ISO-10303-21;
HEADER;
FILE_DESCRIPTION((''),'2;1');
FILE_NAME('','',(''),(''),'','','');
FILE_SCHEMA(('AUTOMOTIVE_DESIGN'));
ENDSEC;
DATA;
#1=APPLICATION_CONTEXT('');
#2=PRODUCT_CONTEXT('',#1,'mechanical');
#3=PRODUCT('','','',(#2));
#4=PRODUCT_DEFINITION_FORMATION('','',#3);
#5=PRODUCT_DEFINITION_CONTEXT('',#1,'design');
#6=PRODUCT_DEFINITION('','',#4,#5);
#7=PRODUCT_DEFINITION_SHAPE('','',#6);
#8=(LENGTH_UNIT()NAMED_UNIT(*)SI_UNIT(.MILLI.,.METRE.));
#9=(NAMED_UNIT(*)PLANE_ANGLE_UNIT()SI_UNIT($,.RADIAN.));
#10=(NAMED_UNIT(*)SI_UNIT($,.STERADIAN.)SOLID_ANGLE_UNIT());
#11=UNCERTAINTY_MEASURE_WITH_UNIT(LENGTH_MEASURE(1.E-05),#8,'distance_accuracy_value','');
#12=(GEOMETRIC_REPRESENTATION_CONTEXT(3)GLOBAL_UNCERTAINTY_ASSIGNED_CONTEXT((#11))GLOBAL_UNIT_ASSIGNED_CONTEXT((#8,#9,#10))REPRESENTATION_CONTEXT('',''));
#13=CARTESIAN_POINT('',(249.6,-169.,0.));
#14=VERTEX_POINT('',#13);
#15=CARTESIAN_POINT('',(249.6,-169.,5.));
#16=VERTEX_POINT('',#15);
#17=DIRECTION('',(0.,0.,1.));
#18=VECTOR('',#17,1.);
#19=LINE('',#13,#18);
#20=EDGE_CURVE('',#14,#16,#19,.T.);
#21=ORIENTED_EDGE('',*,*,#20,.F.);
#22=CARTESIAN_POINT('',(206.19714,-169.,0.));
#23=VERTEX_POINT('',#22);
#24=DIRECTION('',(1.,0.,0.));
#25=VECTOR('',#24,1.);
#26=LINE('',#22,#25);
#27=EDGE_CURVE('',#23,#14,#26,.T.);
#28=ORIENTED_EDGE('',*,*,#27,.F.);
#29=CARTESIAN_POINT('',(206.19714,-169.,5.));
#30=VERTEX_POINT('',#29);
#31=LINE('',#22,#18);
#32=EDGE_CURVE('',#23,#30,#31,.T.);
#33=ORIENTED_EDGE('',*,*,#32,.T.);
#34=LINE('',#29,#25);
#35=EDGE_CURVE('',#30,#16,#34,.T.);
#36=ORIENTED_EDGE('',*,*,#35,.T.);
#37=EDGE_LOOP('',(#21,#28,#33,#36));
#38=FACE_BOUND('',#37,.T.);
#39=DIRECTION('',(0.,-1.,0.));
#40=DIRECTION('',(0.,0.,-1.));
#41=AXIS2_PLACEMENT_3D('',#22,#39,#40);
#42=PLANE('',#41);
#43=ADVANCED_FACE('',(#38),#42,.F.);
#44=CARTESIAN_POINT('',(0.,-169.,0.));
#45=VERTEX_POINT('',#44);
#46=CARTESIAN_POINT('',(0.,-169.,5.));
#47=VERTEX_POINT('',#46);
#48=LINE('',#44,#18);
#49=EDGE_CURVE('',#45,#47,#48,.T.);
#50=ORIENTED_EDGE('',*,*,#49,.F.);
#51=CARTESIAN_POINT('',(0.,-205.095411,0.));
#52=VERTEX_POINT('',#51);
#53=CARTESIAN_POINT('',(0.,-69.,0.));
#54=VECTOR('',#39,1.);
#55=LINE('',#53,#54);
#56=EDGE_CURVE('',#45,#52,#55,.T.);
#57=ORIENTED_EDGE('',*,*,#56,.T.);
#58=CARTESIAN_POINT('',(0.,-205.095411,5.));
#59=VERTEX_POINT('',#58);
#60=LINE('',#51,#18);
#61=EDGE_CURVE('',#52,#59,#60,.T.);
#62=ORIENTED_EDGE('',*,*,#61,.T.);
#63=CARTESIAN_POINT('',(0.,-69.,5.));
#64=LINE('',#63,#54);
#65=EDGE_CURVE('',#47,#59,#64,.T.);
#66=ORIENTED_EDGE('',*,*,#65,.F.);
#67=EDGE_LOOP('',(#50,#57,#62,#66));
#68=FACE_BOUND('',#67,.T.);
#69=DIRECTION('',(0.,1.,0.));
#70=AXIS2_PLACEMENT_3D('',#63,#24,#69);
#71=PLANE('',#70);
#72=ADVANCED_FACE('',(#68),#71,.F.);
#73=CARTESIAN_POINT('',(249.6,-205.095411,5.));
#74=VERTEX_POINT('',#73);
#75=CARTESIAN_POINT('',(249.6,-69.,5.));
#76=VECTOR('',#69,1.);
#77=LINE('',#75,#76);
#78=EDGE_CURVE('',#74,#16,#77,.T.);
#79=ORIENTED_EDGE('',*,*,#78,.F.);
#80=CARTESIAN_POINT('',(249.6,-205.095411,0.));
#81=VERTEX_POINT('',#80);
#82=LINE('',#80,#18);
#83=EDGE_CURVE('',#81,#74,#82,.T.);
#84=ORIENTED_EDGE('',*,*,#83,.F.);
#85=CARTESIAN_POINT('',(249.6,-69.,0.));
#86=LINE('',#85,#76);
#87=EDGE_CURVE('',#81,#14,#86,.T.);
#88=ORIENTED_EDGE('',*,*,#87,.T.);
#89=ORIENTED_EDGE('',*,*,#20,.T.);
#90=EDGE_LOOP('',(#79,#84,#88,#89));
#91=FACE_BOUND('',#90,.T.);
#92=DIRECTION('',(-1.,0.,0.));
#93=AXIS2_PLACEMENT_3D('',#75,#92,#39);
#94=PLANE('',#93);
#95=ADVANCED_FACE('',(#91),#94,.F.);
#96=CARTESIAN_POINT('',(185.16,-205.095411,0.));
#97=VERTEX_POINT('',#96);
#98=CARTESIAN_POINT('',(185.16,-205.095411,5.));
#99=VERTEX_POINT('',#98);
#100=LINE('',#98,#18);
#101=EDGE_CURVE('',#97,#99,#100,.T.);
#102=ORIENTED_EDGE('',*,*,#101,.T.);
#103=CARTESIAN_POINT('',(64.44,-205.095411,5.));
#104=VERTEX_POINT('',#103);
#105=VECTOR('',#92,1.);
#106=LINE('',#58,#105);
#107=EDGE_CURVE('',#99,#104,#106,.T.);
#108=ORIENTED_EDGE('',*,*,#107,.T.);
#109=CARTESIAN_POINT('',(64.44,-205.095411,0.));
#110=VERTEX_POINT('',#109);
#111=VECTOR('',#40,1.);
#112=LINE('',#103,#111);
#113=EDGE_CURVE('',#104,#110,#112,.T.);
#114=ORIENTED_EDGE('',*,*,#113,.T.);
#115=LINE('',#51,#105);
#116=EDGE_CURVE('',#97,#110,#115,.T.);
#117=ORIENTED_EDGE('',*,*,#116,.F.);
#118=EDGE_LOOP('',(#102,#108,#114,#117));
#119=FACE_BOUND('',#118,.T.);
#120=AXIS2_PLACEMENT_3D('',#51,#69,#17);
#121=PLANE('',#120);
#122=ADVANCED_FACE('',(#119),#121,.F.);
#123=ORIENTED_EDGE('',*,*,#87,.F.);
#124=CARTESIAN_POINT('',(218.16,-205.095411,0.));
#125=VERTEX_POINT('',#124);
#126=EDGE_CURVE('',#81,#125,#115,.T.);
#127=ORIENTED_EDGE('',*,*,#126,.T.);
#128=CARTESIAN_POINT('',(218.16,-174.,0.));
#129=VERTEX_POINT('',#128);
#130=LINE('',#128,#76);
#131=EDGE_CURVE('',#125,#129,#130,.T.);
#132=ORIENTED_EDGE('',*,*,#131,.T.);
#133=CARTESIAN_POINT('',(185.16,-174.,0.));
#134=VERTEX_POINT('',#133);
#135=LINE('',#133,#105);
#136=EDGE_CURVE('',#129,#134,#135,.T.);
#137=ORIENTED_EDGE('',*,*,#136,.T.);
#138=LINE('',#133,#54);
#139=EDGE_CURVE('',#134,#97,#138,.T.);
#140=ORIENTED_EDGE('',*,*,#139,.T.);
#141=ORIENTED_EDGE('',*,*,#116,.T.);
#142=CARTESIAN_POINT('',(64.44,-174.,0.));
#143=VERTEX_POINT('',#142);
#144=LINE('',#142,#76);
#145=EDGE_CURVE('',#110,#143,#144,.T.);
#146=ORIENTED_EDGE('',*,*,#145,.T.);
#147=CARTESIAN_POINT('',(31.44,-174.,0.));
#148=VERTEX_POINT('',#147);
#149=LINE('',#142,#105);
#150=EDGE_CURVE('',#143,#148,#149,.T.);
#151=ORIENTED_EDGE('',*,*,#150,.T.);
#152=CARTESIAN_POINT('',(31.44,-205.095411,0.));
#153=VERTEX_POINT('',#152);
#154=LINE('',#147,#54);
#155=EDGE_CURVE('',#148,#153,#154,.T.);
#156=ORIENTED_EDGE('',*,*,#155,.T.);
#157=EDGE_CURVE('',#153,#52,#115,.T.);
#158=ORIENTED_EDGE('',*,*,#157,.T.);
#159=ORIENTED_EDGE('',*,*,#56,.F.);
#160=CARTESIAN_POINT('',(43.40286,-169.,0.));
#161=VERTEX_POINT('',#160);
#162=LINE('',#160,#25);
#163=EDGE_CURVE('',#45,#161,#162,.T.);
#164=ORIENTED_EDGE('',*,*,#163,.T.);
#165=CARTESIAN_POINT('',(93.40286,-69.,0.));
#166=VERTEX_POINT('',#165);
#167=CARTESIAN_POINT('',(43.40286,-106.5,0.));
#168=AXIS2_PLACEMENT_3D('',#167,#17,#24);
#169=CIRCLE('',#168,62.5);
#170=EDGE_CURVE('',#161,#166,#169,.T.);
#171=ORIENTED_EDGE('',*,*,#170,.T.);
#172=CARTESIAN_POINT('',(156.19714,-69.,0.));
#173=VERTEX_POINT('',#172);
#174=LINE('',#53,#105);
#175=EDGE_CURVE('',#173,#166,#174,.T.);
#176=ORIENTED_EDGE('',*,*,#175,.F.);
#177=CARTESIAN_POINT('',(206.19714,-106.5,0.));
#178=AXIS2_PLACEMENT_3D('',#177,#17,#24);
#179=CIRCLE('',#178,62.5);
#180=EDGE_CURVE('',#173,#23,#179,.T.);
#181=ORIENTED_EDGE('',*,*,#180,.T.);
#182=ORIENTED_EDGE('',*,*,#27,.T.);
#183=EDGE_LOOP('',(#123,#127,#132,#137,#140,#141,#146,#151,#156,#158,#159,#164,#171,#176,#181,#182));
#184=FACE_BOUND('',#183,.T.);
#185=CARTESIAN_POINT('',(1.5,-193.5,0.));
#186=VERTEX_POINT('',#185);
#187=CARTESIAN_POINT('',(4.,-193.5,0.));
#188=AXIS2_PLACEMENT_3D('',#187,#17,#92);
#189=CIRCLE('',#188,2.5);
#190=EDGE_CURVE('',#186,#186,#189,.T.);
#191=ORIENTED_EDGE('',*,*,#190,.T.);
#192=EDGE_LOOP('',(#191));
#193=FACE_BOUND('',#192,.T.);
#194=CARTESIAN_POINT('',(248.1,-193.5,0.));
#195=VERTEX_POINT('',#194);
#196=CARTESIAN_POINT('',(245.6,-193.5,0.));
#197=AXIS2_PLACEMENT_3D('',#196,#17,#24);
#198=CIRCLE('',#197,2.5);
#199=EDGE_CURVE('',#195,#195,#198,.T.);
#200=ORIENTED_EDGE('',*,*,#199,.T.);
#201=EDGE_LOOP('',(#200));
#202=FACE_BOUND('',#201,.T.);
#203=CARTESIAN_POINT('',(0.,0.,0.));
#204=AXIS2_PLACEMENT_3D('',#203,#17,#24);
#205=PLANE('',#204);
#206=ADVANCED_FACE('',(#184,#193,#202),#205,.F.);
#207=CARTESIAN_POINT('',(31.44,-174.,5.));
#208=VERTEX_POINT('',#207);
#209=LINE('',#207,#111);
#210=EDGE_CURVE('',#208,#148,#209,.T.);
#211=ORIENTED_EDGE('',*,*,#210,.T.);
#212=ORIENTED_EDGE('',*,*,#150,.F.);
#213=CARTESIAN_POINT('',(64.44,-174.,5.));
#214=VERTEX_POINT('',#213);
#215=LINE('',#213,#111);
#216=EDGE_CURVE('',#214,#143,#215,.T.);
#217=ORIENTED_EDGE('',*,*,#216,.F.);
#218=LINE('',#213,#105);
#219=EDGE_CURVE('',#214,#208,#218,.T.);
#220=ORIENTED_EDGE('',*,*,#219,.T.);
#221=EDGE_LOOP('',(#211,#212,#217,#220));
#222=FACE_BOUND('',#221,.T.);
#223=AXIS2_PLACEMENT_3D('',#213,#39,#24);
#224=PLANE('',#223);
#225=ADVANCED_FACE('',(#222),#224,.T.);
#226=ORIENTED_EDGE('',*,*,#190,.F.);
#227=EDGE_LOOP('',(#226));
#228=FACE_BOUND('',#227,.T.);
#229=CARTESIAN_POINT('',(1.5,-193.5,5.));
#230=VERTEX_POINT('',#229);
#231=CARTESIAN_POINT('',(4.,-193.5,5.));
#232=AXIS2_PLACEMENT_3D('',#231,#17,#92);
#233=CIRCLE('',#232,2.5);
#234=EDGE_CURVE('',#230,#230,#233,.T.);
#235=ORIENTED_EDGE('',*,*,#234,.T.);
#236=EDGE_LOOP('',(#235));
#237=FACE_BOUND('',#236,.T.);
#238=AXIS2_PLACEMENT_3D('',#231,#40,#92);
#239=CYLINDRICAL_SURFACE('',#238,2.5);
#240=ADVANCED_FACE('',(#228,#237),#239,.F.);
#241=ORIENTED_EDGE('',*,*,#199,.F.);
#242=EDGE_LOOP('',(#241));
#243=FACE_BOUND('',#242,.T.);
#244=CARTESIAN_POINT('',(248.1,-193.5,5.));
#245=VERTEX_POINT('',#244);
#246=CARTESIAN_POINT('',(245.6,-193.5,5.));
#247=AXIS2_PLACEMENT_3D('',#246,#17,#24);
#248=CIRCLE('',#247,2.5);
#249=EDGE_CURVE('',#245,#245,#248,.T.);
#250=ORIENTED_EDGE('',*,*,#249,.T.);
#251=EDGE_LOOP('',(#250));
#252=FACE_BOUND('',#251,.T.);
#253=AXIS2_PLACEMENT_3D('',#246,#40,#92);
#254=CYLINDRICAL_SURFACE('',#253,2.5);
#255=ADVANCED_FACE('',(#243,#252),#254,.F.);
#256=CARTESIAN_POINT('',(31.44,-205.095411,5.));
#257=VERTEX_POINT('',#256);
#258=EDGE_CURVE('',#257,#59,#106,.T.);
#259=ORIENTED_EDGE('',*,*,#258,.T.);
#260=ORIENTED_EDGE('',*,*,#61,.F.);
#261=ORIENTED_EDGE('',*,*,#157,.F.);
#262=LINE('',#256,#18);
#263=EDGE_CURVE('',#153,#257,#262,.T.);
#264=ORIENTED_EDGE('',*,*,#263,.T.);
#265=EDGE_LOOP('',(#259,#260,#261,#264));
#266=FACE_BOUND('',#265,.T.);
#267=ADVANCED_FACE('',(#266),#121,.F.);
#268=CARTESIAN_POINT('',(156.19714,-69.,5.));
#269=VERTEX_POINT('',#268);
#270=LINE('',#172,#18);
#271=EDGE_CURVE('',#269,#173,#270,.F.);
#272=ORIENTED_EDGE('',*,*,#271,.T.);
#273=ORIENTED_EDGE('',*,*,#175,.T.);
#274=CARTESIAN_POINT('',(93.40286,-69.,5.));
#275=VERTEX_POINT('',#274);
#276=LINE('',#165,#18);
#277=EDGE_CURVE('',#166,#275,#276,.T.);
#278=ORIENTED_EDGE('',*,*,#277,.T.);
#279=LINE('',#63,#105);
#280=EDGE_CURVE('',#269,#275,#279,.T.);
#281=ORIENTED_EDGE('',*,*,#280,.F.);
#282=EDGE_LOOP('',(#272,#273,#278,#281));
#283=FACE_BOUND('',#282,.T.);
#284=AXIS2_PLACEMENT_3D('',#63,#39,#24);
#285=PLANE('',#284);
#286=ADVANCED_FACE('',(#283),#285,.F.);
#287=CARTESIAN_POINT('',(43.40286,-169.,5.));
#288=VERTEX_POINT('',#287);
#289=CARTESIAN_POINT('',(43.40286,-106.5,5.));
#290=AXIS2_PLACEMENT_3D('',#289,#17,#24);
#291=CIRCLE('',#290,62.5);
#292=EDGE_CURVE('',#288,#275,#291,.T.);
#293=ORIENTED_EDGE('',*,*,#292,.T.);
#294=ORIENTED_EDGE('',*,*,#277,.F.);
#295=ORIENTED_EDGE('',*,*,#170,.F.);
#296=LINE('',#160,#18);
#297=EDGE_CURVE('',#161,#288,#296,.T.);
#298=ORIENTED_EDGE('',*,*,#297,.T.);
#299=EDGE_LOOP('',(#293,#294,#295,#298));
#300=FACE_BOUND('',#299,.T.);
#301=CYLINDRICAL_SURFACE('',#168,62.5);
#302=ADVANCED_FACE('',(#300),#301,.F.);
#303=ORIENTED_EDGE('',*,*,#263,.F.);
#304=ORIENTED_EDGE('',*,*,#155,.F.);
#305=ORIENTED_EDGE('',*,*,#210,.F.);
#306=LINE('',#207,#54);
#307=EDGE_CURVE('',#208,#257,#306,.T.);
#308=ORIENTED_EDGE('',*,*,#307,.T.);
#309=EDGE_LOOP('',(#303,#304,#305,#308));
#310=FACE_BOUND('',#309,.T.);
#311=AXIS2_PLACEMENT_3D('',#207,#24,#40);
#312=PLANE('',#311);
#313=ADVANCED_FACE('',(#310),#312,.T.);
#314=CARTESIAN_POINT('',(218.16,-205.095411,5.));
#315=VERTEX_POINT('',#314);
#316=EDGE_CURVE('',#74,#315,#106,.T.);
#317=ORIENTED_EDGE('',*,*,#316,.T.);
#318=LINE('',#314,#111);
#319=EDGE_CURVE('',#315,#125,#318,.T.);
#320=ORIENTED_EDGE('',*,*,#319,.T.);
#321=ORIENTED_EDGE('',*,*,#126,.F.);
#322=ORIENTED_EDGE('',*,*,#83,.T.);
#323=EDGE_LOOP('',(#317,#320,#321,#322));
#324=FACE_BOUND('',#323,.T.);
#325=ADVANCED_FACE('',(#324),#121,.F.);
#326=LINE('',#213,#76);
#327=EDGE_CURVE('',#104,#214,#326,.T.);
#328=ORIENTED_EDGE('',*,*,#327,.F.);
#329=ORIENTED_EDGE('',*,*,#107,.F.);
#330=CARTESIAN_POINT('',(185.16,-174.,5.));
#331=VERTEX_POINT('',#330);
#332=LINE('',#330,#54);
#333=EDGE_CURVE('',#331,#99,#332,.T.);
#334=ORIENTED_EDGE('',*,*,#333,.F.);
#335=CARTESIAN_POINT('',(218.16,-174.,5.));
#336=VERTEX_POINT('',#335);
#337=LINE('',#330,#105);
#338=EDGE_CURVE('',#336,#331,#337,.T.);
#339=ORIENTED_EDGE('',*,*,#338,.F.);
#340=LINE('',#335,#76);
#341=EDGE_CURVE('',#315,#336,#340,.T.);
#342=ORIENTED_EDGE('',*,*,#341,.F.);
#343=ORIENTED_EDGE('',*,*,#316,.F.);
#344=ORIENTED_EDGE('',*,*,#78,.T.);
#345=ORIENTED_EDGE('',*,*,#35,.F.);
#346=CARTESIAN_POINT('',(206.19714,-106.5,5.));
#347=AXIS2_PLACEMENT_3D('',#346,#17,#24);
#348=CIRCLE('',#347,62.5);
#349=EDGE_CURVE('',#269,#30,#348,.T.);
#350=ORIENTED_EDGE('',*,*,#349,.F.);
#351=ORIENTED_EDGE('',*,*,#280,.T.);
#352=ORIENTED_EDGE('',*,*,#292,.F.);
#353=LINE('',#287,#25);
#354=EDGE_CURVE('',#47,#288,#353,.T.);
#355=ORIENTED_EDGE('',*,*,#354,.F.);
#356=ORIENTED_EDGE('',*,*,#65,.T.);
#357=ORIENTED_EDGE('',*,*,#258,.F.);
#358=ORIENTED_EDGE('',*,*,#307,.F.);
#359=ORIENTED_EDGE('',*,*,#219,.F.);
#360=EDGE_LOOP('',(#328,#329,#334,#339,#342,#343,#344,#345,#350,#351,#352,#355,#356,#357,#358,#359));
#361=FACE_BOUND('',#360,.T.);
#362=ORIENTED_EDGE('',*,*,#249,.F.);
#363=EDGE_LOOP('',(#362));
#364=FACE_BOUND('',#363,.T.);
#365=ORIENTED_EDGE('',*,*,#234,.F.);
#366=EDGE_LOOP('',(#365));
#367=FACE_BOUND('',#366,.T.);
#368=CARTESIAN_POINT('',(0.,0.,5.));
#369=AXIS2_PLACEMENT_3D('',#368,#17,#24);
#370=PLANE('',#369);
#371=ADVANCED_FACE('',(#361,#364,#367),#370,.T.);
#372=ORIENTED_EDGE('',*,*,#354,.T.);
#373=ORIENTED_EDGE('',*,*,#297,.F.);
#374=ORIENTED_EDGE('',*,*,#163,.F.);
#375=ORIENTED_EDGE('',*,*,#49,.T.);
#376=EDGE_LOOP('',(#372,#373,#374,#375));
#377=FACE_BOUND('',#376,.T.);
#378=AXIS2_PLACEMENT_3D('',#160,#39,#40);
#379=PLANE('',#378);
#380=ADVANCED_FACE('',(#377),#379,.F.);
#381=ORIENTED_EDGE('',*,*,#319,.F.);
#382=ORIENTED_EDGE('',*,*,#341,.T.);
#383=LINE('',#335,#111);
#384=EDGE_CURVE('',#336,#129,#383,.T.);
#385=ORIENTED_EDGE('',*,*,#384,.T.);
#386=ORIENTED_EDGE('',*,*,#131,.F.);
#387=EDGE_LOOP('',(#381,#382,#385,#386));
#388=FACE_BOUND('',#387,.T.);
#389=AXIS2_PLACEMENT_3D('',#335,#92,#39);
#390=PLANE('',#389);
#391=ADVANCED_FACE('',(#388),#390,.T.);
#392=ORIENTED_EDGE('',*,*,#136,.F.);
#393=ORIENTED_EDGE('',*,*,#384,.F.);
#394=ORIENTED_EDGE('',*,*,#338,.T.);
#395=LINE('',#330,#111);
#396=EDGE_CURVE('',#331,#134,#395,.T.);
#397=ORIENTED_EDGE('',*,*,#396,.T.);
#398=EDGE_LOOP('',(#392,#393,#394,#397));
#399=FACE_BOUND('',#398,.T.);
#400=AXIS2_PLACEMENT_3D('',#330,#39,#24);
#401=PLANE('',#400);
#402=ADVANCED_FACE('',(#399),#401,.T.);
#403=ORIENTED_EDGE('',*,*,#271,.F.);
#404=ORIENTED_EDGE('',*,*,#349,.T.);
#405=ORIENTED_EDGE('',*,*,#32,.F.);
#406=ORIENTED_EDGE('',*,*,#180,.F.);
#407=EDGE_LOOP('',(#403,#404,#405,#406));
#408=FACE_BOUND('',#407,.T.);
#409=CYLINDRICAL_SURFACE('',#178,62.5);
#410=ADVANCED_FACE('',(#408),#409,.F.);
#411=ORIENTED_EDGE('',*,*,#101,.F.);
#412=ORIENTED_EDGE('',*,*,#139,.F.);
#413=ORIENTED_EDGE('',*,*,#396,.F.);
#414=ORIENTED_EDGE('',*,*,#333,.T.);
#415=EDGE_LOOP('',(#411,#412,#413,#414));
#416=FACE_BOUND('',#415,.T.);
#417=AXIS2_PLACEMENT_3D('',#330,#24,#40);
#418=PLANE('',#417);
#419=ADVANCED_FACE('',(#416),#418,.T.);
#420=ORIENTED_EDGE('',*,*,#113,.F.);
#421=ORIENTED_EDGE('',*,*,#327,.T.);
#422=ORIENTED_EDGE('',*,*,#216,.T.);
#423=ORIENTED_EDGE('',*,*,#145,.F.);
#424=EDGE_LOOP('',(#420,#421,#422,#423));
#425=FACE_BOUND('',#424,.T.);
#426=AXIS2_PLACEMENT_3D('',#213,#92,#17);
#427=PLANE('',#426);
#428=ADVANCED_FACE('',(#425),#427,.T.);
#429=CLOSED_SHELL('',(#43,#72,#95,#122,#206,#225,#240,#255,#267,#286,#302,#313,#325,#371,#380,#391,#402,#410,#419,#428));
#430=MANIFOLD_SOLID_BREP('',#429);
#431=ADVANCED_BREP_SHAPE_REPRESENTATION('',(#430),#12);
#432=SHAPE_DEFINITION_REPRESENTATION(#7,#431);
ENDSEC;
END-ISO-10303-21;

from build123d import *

# Parameters (mm, degrees)
SKETCH1_W           = 249.6
SKETCH1_H           = 267.4
SKETCH1_R           = 2.5
SKETCH1_W_2         = 33
SKETCH1_H_2         = 90
BOSS_EXTRUDE1_DEPTH = 5
SKETCH6_W           = 249.6
SKETCH6_H           = 131.304588604
CUT_EXTRUDE4_DEPTH  = 6


with BuildPart() as part:
    # Sketch1 → Boss-Extrude1 (new body)
    with BuildSketch(Plane.XY):
        with Locations((124.8, -202.7)):
            Rectangle(SKETCH1_W, SKETCH1_H)
        with Locations((245.6, -193.5)):
            Circle(SKETCH1_R, mode=Mode.SUBTRACT)
        with Locations((245.6, -244.5)):
            Circle(SKETCH1_R, mode=Mode.SUBTRACT)
        with Locations((4, -244.5)):
            Circle(SKETCH1_R, mode=Mode.SUBTRACT)
        with Locations((4, -193.5)):
            Circle(SKETCH1_R, mode=Mode.SUBTRACT)
        with Locations((201.66, -219)):
            Rectangle(SKETCH1_W_2, SKETCH1_H_2, mode=Mode.SUBTRACT)
        with Locations((47.94, -219)):
            Rectangle(SKETCH1_W_2, SKETCH1_H_2, mode=Mode.SUBTRACT)
    extrude(amount=BOSS_EXTRUDE1_DEPTH)

    # Sketch6 → Cut-Extrude4 (cut, through all)
    with BuildSketch(Plane.XY.offset(5)):
        with BuildLine():
            Line((43.402860001, -44), (0, -44))
            Line((0, -44), (0, -169))
            Line((0, -169), (43.402860001, -169))
            ThreePointArc((43.402860001, -169), (105.902860001, -106.5), (43.402860001, -44))
        make_face()
        with BuildLine():
            Line((206.197139999, -169), (249.6, -169))
            Line((249.6, -169), (249.6, -44))
            Line((249.6, -44), (206.197139999, -44))
            ThreePointArc((206.197139999, -44), (143.697139999, -106.5), (206.197139999, -169))
        make_face()
        with Locations((124.8, -270.747705698)):
            Rectangle(SKETCH6_W, SKETCH6_H)
    extrude(amount=-CUT_EXTRUDE4_DEPTH, mode=Mode.SUBTRACT)


solid = part.part
